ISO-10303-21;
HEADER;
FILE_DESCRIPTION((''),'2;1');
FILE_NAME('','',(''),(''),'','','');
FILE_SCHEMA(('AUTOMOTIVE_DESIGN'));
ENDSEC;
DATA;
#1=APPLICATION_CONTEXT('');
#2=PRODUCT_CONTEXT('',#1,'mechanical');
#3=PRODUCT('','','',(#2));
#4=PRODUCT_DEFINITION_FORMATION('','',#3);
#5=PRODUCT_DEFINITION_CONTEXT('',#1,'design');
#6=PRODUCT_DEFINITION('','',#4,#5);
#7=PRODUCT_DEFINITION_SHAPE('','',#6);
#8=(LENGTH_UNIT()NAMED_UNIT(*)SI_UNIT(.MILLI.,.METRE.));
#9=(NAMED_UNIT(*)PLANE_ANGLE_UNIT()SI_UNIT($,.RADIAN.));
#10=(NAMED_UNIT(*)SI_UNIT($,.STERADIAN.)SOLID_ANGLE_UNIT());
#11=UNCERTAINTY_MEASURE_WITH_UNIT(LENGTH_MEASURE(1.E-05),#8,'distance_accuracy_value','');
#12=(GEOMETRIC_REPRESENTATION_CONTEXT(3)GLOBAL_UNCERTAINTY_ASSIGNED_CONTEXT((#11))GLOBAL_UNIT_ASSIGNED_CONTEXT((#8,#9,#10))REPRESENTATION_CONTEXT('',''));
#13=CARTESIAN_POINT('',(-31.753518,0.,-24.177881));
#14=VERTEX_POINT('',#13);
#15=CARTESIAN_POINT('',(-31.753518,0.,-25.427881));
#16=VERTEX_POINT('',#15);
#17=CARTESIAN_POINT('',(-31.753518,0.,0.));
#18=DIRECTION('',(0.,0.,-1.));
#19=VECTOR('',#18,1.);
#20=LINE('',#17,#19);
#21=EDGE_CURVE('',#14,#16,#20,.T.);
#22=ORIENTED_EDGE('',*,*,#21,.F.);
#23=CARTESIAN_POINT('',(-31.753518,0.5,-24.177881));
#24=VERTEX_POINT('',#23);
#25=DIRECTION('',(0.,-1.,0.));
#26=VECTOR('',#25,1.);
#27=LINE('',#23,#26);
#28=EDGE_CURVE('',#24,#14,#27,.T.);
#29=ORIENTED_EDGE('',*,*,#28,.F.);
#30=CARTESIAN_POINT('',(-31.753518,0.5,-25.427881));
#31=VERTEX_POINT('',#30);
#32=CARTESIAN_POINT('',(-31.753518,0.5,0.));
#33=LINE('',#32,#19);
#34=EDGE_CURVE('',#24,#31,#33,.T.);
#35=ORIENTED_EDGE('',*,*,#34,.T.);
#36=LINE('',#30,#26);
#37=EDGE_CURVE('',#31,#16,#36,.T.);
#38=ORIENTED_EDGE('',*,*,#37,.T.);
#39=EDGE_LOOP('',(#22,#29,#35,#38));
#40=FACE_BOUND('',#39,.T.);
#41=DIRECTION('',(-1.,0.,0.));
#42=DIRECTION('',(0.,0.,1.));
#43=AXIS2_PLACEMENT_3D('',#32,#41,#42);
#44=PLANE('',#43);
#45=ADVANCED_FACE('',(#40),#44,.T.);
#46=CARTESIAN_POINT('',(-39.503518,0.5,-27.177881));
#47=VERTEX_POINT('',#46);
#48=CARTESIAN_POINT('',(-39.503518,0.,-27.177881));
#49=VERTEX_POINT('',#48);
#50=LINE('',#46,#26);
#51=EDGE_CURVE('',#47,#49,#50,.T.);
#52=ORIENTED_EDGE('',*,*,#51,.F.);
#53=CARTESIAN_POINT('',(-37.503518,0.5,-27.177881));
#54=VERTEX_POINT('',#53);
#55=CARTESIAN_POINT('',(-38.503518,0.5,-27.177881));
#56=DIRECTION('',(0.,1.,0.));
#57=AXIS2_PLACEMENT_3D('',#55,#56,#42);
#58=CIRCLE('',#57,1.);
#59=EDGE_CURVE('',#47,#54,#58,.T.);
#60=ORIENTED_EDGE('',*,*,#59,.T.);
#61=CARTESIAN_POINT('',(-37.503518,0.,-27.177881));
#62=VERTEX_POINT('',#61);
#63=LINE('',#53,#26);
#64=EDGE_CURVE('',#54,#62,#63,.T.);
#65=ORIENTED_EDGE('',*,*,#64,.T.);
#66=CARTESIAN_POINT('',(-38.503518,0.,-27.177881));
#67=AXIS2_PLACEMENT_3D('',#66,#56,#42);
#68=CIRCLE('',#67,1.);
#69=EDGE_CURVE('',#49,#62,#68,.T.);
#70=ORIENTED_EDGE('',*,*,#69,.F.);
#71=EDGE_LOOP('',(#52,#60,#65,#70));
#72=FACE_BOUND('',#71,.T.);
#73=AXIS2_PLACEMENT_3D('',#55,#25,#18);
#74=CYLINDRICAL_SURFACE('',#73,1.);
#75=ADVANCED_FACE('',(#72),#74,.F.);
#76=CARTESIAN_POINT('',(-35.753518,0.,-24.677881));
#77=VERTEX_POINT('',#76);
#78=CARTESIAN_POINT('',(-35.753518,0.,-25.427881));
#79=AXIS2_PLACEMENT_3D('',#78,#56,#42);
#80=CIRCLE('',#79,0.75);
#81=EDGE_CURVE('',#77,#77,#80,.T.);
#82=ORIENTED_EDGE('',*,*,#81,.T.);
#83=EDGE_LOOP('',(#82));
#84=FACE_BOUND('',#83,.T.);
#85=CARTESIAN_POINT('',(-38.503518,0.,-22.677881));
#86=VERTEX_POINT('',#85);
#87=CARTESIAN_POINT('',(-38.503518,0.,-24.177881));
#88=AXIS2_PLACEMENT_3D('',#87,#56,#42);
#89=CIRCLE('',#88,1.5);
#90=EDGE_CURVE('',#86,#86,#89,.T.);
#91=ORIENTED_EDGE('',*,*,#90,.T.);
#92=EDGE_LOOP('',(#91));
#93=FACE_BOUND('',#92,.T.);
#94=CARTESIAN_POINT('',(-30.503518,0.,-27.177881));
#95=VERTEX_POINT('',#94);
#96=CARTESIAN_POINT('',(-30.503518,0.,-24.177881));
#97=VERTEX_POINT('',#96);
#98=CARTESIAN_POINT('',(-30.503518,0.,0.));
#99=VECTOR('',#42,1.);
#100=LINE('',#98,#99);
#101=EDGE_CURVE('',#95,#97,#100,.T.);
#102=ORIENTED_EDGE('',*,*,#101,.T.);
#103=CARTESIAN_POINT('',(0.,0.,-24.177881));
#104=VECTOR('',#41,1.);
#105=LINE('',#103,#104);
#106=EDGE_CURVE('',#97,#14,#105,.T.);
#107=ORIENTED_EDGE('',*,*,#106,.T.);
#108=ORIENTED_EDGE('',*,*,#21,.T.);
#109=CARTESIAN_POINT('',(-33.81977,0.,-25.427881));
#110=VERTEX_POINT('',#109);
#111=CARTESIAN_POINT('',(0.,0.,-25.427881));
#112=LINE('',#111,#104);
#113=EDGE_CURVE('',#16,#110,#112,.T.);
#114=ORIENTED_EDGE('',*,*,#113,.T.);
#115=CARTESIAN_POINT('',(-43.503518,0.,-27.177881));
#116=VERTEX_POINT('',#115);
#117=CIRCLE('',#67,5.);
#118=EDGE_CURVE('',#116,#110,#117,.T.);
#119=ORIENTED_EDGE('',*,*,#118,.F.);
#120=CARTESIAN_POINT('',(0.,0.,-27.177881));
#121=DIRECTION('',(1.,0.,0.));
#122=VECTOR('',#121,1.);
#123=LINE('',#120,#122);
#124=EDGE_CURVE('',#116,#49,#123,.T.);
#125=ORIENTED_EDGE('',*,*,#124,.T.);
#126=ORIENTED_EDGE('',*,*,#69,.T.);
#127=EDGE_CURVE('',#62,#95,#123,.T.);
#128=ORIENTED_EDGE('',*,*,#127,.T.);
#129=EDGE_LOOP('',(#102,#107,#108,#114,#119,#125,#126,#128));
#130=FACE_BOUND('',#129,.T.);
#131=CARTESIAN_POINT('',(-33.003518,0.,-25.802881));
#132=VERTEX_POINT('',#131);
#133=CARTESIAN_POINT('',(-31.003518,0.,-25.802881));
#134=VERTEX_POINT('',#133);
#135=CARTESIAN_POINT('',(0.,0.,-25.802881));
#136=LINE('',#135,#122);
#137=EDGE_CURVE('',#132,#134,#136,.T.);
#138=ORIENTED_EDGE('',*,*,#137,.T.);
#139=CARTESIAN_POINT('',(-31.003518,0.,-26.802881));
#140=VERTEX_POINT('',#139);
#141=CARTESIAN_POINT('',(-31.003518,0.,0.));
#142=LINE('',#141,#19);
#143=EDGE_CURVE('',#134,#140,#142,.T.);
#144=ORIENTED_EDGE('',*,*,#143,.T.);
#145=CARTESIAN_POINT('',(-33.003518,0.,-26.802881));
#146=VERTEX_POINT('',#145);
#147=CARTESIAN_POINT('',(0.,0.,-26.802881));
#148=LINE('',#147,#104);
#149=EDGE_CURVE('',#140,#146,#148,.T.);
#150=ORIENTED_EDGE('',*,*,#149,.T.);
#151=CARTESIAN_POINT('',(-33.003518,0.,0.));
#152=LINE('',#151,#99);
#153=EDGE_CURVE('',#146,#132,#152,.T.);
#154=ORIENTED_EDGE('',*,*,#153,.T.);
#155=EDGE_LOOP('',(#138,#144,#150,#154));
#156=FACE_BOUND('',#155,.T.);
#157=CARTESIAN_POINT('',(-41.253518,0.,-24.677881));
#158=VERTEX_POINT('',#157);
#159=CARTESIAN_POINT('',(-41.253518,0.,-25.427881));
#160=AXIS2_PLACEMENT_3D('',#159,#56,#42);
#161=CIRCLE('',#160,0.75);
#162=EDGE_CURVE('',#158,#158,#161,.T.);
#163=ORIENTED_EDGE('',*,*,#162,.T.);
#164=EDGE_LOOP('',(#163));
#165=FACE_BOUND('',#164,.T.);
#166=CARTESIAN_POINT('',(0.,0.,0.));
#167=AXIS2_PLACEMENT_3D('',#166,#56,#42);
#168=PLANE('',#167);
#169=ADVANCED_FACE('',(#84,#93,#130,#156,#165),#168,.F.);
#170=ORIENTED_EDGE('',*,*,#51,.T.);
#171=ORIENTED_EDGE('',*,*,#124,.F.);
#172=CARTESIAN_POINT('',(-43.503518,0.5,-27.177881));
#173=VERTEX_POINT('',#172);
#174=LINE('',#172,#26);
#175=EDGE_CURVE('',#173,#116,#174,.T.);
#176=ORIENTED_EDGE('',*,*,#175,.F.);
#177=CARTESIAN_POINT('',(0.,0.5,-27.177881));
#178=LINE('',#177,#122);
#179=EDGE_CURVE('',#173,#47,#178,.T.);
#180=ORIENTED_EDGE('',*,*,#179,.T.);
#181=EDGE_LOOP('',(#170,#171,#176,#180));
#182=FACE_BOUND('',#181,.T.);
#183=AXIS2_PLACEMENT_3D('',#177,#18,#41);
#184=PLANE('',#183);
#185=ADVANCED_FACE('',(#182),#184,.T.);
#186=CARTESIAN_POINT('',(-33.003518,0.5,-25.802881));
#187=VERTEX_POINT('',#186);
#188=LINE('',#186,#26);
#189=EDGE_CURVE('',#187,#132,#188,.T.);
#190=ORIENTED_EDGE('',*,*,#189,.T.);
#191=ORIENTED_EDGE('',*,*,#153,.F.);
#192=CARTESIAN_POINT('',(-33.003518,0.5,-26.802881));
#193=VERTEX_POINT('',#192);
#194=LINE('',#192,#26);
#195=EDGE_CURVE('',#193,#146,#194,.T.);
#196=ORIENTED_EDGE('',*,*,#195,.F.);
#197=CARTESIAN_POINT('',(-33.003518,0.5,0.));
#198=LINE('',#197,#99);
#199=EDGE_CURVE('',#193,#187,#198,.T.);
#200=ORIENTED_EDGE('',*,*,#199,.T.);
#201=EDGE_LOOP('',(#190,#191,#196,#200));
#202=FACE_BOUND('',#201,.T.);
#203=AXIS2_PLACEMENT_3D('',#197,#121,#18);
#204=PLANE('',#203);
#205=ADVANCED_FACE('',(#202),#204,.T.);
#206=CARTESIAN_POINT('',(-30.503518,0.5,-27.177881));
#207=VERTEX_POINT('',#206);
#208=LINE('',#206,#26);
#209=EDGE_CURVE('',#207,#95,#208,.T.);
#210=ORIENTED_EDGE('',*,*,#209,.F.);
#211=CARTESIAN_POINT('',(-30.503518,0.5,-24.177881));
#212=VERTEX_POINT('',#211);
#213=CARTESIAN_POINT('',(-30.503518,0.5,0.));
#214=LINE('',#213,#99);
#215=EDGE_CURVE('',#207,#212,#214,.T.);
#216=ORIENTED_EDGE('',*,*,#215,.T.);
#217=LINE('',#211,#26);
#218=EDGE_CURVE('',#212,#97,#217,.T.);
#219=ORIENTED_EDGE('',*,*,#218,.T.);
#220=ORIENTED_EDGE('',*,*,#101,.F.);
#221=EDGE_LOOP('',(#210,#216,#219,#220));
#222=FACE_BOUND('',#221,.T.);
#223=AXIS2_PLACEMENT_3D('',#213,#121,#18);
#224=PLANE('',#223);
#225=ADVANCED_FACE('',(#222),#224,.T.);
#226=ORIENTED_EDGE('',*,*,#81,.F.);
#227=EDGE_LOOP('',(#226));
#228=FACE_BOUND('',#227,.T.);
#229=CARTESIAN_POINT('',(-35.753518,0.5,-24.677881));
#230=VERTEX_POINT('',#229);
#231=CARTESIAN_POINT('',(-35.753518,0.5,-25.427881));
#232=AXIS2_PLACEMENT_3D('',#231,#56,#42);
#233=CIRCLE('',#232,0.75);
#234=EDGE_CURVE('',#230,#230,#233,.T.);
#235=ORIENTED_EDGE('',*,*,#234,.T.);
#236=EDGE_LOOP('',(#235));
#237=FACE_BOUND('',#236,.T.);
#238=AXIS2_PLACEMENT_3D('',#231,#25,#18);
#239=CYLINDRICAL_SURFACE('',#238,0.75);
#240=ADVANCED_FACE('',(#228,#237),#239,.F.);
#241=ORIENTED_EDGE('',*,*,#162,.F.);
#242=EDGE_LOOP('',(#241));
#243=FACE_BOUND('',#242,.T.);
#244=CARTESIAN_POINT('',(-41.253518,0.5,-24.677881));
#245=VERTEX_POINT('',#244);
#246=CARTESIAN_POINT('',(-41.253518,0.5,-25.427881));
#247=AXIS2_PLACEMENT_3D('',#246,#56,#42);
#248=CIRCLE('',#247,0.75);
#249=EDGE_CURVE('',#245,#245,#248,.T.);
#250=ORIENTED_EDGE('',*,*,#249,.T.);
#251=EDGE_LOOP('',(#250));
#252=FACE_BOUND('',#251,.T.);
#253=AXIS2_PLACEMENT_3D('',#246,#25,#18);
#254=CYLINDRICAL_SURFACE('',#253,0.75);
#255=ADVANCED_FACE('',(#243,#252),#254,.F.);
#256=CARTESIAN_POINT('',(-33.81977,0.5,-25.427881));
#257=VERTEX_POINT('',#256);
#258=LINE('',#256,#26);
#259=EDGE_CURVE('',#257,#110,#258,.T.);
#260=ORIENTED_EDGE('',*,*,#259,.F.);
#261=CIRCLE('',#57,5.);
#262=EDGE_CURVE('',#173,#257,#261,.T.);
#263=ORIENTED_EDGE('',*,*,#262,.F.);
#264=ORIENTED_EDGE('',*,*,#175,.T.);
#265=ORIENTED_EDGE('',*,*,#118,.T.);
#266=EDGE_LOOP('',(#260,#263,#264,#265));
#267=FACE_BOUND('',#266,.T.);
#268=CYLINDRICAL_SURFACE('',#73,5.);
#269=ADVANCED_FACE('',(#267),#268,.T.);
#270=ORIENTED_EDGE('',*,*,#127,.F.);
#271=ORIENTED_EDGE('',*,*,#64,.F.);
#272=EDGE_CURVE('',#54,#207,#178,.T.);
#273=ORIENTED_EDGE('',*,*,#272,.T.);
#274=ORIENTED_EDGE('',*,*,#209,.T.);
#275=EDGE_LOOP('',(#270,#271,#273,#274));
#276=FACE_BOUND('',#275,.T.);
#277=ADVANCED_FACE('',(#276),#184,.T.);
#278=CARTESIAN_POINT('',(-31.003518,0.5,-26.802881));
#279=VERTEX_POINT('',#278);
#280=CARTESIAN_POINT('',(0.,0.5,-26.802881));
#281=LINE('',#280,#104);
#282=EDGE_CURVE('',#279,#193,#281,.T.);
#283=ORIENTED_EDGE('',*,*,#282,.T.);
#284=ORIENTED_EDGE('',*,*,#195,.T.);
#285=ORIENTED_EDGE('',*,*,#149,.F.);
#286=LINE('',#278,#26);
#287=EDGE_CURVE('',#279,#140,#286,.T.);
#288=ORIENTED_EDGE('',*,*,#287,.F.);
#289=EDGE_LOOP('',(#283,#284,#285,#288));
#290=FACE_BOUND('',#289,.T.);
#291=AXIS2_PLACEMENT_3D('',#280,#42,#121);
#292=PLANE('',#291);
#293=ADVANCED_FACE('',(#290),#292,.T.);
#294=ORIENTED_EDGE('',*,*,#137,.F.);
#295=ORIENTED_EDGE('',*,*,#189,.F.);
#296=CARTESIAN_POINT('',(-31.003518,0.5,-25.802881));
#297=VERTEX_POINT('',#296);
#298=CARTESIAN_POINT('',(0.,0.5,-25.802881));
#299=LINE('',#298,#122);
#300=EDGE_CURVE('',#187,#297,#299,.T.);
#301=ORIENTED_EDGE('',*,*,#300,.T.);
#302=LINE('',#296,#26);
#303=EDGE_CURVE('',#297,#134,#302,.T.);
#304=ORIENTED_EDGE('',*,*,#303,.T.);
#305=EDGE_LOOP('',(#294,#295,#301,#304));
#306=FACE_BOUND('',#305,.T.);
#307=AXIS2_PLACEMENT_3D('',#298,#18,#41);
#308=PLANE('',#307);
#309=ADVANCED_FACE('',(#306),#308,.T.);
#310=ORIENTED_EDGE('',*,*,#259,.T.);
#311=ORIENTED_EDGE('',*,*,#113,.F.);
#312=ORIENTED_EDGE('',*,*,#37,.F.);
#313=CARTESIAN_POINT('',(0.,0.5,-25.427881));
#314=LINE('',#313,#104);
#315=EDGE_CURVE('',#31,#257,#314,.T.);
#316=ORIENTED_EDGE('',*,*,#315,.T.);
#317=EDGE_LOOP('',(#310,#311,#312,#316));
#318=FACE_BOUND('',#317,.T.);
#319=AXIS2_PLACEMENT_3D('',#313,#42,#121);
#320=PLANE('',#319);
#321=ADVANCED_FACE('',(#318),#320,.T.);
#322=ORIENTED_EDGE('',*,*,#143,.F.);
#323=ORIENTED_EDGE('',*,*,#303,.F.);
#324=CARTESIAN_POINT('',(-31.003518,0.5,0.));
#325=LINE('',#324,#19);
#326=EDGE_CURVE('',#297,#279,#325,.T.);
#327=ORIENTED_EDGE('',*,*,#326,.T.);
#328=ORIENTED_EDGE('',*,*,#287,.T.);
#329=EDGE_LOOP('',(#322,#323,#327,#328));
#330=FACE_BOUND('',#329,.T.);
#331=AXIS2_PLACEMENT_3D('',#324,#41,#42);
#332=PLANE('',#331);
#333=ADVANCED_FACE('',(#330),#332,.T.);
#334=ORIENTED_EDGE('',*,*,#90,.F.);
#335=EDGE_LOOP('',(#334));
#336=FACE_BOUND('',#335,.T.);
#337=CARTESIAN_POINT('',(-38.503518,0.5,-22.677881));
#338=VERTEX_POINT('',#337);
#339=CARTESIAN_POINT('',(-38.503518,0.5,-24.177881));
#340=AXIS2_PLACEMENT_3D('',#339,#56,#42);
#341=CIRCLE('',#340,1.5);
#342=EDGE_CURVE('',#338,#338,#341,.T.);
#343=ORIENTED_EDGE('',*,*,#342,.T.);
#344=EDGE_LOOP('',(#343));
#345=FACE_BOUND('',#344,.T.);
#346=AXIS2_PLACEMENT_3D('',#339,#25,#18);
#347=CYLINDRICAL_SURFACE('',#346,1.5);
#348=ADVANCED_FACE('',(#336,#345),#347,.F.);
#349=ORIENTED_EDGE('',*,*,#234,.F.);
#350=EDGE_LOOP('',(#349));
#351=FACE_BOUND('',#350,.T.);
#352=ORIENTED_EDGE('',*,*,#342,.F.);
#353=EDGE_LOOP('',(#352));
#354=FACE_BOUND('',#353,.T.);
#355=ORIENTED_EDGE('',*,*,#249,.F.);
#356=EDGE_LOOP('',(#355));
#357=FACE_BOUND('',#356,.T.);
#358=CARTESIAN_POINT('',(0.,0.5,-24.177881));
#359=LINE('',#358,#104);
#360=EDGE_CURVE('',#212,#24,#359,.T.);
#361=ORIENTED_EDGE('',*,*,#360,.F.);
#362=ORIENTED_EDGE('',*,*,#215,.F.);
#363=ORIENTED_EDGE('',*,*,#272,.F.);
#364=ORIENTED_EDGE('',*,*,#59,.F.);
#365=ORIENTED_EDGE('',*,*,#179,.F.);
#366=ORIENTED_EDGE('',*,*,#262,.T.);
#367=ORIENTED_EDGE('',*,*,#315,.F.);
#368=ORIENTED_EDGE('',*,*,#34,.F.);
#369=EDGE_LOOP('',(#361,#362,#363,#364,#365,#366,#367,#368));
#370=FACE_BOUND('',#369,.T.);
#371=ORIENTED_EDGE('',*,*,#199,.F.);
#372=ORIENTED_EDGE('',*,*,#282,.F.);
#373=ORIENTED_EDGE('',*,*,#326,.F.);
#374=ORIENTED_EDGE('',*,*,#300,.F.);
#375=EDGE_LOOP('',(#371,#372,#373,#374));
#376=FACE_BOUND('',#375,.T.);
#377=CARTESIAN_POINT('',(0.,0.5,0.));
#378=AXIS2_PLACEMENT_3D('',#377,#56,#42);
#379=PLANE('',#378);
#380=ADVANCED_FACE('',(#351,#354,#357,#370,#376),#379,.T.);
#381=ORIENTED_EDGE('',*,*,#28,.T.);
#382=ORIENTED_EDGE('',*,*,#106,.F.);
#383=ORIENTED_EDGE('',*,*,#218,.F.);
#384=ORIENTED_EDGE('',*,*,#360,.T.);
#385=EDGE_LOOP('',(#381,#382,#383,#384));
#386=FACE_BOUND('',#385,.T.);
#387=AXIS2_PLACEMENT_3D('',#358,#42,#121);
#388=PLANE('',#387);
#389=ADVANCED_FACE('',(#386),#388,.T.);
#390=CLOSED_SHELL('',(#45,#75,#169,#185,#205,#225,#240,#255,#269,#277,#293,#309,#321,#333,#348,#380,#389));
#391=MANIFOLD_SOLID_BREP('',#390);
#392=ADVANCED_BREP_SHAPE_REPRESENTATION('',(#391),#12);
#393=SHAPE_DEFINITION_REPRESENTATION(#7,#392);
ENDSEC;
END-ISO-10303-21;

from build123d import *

# Parameters (mm, degrees)
SKETCH1_R           = 0.75
BOSS_EXTRUDE1_DEPTH = 0.5


with BuildPart() as part:
    # Sketch1 → Boss-Extrude1 (new body)
    with BuildSketch(Plane(origin=(0, 0, 0), x_dir=(1, 0, 0), z_dir=(0, 1, 0))):
        with BuildLine():
            Line((-39.503518064, 27.177881063), (-43.503518064, 27.177881063))
            ThreePointArc((-43.503518064, 27.177881063), (-39.392691136, 22.257579116), (-33.819769565, 25.427881063))
            Line((-33.819769565, 25.427881063), (-31.753518064, 25.427881063))
            Line((-31.753518064, 25.427881063), (-31.753518064, 24.177881063))
            Line((-31.753518064, 24.177881063), (-30.503518064, 24.177881063))
            Line((-30.503518064, 24.177881063), (-30.503518064, 26.302881063))
            Line((-30.503518064, 26.302881063), (-30.503518064, 27.177881063))
            Line((-30.503518064, 27.177881063), (-37.503518064, 27.177881063))
            ThreePointArc((-37.503518064, 27.177881063), (-37.796411282, 26.470774282), (-38.503518064, 26.177881063))
            ThreePointArc((-38.503518064, 26.177881063), (-39.210624845, 26.470774282), (-39.503518064, 27.177881063))
        make_face()
        with BuildLine():
            ThreePointArc((-40.003518064, 24.177881063), (-39.564178235, 25.238541235), (-38.503518064, 25.677881063))
            ThreePointArc((-38.503518064, 25.677881063), (-37.442857892, 25.238541235), (-37.003518064, 24.177881063))
            ThreePointArc((-37.003518064, 24.177881063), (-38.503518064, 22.677881063), (-40.003518064, 24.177881063))
        make_face(mode=Mode.SUBTRACT)
        with Locations((-41.253518064, 25.427881063)):
            Circle(SKETCH1_R, mode=Mode.SUBTRACT)
        with Locations((-35.753518064, 25.427881063)):
            Circle(SKETCH1_R, mode=Mode.SUBTRACT)
        Polygon((-31.003518064, 26.802881063), (-31.003518064, 26.302881063), (-31.003518064, 25.802881063), (-33.003518064, 25.802881063), (-33.003518064, 26.802881063), align=None, mode=Mode.SUBTRACT)
    extrude(amount=BOSS_EXTRUDE1_DEPTH)


solid = part.part
